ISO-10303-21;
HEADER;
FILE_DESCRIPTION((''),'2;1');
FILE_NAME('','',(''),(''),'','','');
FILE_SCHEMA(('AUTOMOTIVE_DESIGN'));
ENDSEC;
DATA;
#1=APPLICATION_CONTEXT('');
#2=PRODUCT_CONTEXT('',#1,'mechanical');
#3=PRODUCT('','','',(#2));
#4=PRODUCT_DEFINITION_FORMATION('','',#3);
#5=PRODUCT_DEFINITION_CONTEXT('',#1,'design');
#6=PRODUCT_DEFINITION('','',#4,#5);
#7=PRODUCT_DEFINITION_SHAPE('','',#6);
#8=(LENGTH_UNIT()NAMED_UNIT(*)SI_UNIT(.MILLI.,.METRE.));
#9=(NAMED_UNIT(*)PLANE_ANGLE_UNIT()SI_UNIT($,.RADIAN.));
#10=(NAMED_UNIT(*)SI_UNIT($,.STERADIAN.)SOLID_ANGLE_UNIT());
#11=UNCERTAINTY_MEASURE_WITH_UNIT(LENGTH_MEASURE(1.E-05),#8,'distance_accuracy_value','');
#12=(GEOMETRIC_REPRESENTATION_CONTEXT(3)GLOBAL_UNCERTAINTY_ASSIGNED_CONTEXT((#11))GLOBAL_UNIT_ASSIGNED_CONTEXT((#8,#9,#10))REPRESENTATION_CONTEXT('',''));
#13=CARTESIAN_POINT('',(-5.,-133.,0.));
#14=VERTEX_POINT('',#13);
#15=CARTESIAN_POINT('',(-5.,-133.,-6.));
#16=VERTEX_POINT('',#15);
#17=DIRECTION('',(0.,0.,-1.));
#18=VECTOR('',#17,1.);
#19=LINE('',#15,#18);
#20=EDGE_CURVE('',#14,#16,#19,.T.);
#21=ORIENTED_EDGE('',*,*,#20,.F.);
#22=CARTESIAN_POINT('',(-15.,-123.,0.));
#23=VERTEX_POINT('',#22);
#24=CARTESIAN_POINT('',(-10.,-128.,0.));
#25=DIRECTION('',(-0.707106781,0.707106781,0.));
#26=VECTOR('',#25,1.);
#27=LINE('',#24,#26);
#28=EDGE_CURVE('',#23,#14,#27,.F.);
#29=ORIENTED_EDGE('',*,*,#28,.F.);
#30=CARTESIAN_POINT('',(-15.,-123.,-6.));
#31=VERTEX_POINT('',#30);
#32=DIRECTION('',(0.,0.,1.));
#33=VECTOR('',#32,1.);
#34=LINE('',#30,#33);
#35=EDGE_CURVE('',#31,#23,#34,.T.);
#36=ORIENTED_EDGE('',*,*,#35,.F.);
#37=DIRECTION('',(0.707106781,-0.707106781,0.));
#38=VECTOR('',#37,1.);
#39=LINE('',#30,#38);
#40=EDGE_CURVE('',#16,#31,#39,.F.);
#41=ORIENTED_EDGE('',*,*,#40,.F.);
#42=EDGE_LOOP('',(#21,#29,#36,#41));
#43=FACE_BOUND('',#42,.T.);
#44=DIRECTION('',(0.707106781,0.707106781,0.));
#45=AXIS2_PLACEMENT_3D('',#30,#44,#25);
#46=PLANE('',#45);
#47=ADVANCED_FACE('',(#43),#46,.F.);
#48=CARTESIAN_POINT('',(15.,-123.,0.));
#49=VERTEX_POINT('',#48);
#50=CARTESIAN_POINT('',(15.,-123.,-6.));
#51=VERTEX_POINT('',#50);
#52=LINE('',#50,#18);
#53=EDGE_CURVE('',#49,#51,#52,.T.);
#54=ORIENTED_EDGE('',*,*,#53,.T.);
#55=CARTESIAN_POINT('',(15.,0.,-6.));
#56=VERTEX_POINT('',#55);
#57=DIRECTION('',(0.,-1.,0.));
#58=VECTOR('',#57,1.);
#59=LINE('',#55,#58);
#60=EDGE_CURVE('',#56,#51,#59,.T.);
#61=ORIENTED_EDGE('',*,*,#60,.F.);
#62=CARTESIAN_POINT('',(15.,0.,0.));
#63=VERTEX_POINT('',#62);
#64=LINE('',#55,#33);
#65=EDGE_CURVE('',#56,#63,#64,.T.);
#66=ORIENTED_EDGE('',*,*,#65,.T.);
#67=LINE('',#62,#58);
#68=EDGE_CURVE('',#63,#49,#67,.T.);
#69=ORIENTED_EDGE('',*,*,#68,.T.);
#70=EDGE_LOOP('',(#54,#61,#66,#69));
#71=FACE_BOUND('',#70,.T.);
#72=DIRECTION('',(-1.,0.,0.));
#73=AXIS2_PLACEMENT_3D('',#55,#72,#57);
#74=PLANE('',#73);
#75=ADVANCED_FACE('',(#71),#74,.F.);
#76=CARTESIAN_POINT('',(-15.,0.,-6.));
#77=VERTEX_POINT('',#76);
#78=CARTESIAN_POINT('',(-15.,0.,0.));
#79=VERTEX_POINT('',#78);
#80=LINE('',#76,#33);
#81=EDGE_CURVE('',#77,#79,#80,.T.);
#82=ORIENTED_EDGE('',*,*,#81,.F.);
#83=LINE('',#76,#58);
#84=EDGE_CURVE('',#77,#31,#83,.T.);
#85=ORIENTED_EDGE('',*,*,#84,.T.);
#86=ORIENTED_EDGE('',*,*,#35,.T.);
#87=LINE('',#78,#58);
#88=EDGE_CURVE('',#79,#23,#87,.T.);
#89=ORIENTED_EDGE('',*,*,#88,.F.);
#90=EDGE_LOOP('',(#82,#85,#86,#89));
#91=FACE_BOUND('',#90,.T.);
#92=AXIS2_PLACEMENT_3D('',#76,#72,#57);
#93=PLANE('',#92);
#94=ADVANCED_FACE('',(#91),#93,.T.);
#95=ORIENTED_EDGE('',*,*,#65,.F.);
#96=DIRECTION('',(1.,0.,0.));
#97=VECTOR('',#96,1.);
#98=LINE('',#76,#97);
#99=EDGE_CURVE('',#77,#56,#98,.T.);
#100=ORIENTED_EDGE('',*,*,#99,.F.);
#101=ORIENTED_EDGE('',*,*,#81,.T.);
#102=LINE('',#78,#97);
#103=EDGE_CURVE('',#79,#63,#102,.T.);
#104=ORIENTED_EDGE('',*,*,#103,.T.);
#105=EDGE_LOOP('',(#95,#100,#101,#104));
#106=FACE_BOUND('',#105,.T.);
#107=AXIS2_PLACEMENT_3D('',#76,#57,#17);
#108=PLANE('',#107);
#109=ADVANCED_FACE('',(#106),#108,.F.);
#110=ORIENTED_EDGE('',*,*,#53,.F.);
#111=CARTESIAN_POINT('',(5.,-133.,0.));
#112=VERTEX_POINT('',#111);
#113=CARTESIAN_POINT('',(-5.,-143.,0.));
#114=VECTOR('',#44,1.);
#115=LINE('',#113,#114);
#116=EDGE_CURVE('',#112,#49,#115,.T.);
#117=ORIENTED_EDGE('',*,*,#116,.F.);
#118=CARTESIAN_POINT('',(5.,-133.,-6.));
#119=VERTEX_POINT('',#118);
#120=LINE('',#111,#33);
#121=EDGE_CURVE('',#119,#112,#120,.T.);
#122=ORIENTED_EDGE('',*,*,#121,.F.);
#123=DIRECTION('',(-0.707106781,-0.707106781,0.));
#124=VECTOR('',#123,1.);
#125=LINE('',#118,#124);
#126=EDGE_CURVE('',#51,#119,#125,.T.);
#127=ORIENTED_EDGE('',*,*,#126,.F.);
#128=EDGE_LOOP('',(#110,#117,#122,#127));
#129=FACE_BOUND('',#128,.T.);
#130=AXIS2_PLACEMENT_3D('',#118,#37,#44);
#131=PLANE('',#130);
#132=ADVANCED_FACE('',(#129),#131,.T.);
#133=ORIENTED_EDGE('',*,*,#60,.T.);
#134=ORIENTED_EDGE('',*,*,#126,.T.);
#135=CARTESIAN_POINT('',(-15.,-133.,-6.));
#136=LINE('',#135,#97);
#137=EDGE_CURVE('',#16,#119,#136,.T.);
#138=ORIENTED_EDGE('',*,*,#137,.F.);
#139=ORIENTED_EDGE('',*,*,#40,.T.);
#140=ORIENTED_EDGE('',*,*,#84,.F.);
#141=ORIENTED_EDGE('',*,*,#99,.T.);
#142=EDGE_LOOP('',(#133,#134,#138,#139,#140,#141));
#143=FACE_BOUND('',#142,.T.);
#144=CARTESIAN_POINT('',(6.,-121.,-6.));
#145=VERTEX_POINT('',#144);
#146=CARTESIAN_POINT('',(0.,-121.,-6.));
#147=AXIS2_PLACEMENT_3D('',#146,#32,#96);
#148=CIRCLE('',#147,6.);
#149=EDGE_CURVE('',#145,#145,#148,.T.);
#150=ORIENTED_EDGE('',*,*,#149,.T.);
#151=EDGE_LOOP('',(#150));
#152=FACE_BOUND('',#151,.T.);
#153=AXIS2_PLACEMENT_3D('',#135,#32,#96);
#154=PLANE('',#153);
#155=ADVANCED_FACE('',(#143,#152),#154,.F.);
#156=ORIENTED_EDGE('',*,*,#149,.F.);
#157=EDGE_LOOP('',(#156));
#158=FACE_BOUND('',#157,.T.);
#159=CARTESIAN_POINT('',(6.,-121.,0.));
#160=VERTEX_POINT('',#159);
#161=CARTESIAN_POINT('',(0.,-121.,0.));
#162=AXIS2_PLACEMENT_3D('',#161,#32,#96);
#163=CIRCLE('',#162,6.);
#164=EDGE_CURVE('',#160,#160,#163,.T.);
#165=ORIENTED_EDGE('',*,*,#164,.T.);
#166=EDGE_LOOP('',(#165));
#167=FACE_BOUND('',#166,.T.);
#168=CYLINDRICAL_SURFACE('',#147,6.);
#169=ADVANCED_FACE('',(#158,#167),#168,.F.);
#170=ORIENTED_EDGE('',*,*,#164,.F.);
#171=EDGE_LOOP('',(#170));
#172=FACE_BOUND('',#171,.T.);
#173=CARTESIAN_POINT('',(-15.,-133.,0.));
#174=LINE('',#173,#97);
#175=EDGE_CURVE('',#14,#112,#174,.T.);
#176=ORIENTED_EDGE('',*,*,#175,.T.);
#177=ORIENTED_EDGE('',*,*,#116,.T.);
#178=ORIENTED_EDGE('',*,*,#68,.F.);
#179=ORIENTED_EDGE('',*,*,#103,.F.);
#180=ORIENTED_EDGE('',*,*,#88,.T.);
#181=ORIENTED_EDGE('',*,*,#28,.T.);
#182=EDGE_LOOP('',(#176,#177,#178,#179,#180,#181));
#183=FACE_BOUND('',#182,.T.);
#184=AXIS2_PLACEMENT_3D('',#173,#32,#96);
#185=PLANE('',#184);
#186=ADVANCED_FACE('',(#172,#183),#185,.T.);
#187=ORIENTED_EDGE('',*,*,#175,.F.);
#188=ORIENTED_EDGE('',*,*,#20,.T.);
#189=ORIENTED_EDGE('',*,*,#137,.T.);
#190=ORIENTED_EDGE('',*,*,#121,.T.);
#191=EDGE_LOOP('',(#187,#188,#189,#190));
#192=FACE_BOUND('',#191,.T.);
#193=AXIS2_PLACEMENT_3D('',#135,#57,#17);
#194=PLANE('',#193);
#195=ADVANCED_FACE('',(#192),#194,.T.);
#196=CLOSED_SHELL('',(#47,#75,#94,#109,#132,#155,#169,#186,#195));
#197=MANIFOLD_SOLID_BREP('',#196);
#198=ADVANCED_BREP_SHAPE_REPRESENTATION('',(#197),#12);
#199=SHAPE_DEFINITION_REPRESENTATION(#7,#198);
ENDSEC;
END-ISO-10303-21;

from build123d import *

# Parameters (mm, degrees)
SKETCH_1_W          = 30
SKETCH_1_H          = 133
EXTRUDE_1_DEPTH     = 6
CHAMFER_1_SIZE      = 10
SKETCH_2_R          = 6
CUT_EXTRUDE_1_DEPTH = 134.97761007


with BuildPart() as part:
    # Эскиз1 → Бобышка-Вытянуть1 (new body)
    with BuildSketch(Plane.XY):
        with Locations((0, -66.5)):
            Rectangle(SKETCH_1_W, SKETCH_1_H)
    extrude(amount=-EXTRUDE_1_DEPTH)

    # Фаска1
    chamfer_1_edges = [part.edges().sort_by_distance(p)[0] for p in [
        (15, -133, -3),
        (-15, -133, -3),
    ]]
    chamfer(chamfer_1_edges, length=CHAMFER_1_SIZE)

    # Эскиз2 → Вырез-Вытянуть1 (cut, through all)
    with BuildSketch(Plane.XY):
        with Locations((0, -121)):
            Circle(SKETCH_2_R)
    extrude(amount=-CUT_EXTRUDE_1_DEPTH, mode=Mode.SUBTRACT)


solid = part.part
